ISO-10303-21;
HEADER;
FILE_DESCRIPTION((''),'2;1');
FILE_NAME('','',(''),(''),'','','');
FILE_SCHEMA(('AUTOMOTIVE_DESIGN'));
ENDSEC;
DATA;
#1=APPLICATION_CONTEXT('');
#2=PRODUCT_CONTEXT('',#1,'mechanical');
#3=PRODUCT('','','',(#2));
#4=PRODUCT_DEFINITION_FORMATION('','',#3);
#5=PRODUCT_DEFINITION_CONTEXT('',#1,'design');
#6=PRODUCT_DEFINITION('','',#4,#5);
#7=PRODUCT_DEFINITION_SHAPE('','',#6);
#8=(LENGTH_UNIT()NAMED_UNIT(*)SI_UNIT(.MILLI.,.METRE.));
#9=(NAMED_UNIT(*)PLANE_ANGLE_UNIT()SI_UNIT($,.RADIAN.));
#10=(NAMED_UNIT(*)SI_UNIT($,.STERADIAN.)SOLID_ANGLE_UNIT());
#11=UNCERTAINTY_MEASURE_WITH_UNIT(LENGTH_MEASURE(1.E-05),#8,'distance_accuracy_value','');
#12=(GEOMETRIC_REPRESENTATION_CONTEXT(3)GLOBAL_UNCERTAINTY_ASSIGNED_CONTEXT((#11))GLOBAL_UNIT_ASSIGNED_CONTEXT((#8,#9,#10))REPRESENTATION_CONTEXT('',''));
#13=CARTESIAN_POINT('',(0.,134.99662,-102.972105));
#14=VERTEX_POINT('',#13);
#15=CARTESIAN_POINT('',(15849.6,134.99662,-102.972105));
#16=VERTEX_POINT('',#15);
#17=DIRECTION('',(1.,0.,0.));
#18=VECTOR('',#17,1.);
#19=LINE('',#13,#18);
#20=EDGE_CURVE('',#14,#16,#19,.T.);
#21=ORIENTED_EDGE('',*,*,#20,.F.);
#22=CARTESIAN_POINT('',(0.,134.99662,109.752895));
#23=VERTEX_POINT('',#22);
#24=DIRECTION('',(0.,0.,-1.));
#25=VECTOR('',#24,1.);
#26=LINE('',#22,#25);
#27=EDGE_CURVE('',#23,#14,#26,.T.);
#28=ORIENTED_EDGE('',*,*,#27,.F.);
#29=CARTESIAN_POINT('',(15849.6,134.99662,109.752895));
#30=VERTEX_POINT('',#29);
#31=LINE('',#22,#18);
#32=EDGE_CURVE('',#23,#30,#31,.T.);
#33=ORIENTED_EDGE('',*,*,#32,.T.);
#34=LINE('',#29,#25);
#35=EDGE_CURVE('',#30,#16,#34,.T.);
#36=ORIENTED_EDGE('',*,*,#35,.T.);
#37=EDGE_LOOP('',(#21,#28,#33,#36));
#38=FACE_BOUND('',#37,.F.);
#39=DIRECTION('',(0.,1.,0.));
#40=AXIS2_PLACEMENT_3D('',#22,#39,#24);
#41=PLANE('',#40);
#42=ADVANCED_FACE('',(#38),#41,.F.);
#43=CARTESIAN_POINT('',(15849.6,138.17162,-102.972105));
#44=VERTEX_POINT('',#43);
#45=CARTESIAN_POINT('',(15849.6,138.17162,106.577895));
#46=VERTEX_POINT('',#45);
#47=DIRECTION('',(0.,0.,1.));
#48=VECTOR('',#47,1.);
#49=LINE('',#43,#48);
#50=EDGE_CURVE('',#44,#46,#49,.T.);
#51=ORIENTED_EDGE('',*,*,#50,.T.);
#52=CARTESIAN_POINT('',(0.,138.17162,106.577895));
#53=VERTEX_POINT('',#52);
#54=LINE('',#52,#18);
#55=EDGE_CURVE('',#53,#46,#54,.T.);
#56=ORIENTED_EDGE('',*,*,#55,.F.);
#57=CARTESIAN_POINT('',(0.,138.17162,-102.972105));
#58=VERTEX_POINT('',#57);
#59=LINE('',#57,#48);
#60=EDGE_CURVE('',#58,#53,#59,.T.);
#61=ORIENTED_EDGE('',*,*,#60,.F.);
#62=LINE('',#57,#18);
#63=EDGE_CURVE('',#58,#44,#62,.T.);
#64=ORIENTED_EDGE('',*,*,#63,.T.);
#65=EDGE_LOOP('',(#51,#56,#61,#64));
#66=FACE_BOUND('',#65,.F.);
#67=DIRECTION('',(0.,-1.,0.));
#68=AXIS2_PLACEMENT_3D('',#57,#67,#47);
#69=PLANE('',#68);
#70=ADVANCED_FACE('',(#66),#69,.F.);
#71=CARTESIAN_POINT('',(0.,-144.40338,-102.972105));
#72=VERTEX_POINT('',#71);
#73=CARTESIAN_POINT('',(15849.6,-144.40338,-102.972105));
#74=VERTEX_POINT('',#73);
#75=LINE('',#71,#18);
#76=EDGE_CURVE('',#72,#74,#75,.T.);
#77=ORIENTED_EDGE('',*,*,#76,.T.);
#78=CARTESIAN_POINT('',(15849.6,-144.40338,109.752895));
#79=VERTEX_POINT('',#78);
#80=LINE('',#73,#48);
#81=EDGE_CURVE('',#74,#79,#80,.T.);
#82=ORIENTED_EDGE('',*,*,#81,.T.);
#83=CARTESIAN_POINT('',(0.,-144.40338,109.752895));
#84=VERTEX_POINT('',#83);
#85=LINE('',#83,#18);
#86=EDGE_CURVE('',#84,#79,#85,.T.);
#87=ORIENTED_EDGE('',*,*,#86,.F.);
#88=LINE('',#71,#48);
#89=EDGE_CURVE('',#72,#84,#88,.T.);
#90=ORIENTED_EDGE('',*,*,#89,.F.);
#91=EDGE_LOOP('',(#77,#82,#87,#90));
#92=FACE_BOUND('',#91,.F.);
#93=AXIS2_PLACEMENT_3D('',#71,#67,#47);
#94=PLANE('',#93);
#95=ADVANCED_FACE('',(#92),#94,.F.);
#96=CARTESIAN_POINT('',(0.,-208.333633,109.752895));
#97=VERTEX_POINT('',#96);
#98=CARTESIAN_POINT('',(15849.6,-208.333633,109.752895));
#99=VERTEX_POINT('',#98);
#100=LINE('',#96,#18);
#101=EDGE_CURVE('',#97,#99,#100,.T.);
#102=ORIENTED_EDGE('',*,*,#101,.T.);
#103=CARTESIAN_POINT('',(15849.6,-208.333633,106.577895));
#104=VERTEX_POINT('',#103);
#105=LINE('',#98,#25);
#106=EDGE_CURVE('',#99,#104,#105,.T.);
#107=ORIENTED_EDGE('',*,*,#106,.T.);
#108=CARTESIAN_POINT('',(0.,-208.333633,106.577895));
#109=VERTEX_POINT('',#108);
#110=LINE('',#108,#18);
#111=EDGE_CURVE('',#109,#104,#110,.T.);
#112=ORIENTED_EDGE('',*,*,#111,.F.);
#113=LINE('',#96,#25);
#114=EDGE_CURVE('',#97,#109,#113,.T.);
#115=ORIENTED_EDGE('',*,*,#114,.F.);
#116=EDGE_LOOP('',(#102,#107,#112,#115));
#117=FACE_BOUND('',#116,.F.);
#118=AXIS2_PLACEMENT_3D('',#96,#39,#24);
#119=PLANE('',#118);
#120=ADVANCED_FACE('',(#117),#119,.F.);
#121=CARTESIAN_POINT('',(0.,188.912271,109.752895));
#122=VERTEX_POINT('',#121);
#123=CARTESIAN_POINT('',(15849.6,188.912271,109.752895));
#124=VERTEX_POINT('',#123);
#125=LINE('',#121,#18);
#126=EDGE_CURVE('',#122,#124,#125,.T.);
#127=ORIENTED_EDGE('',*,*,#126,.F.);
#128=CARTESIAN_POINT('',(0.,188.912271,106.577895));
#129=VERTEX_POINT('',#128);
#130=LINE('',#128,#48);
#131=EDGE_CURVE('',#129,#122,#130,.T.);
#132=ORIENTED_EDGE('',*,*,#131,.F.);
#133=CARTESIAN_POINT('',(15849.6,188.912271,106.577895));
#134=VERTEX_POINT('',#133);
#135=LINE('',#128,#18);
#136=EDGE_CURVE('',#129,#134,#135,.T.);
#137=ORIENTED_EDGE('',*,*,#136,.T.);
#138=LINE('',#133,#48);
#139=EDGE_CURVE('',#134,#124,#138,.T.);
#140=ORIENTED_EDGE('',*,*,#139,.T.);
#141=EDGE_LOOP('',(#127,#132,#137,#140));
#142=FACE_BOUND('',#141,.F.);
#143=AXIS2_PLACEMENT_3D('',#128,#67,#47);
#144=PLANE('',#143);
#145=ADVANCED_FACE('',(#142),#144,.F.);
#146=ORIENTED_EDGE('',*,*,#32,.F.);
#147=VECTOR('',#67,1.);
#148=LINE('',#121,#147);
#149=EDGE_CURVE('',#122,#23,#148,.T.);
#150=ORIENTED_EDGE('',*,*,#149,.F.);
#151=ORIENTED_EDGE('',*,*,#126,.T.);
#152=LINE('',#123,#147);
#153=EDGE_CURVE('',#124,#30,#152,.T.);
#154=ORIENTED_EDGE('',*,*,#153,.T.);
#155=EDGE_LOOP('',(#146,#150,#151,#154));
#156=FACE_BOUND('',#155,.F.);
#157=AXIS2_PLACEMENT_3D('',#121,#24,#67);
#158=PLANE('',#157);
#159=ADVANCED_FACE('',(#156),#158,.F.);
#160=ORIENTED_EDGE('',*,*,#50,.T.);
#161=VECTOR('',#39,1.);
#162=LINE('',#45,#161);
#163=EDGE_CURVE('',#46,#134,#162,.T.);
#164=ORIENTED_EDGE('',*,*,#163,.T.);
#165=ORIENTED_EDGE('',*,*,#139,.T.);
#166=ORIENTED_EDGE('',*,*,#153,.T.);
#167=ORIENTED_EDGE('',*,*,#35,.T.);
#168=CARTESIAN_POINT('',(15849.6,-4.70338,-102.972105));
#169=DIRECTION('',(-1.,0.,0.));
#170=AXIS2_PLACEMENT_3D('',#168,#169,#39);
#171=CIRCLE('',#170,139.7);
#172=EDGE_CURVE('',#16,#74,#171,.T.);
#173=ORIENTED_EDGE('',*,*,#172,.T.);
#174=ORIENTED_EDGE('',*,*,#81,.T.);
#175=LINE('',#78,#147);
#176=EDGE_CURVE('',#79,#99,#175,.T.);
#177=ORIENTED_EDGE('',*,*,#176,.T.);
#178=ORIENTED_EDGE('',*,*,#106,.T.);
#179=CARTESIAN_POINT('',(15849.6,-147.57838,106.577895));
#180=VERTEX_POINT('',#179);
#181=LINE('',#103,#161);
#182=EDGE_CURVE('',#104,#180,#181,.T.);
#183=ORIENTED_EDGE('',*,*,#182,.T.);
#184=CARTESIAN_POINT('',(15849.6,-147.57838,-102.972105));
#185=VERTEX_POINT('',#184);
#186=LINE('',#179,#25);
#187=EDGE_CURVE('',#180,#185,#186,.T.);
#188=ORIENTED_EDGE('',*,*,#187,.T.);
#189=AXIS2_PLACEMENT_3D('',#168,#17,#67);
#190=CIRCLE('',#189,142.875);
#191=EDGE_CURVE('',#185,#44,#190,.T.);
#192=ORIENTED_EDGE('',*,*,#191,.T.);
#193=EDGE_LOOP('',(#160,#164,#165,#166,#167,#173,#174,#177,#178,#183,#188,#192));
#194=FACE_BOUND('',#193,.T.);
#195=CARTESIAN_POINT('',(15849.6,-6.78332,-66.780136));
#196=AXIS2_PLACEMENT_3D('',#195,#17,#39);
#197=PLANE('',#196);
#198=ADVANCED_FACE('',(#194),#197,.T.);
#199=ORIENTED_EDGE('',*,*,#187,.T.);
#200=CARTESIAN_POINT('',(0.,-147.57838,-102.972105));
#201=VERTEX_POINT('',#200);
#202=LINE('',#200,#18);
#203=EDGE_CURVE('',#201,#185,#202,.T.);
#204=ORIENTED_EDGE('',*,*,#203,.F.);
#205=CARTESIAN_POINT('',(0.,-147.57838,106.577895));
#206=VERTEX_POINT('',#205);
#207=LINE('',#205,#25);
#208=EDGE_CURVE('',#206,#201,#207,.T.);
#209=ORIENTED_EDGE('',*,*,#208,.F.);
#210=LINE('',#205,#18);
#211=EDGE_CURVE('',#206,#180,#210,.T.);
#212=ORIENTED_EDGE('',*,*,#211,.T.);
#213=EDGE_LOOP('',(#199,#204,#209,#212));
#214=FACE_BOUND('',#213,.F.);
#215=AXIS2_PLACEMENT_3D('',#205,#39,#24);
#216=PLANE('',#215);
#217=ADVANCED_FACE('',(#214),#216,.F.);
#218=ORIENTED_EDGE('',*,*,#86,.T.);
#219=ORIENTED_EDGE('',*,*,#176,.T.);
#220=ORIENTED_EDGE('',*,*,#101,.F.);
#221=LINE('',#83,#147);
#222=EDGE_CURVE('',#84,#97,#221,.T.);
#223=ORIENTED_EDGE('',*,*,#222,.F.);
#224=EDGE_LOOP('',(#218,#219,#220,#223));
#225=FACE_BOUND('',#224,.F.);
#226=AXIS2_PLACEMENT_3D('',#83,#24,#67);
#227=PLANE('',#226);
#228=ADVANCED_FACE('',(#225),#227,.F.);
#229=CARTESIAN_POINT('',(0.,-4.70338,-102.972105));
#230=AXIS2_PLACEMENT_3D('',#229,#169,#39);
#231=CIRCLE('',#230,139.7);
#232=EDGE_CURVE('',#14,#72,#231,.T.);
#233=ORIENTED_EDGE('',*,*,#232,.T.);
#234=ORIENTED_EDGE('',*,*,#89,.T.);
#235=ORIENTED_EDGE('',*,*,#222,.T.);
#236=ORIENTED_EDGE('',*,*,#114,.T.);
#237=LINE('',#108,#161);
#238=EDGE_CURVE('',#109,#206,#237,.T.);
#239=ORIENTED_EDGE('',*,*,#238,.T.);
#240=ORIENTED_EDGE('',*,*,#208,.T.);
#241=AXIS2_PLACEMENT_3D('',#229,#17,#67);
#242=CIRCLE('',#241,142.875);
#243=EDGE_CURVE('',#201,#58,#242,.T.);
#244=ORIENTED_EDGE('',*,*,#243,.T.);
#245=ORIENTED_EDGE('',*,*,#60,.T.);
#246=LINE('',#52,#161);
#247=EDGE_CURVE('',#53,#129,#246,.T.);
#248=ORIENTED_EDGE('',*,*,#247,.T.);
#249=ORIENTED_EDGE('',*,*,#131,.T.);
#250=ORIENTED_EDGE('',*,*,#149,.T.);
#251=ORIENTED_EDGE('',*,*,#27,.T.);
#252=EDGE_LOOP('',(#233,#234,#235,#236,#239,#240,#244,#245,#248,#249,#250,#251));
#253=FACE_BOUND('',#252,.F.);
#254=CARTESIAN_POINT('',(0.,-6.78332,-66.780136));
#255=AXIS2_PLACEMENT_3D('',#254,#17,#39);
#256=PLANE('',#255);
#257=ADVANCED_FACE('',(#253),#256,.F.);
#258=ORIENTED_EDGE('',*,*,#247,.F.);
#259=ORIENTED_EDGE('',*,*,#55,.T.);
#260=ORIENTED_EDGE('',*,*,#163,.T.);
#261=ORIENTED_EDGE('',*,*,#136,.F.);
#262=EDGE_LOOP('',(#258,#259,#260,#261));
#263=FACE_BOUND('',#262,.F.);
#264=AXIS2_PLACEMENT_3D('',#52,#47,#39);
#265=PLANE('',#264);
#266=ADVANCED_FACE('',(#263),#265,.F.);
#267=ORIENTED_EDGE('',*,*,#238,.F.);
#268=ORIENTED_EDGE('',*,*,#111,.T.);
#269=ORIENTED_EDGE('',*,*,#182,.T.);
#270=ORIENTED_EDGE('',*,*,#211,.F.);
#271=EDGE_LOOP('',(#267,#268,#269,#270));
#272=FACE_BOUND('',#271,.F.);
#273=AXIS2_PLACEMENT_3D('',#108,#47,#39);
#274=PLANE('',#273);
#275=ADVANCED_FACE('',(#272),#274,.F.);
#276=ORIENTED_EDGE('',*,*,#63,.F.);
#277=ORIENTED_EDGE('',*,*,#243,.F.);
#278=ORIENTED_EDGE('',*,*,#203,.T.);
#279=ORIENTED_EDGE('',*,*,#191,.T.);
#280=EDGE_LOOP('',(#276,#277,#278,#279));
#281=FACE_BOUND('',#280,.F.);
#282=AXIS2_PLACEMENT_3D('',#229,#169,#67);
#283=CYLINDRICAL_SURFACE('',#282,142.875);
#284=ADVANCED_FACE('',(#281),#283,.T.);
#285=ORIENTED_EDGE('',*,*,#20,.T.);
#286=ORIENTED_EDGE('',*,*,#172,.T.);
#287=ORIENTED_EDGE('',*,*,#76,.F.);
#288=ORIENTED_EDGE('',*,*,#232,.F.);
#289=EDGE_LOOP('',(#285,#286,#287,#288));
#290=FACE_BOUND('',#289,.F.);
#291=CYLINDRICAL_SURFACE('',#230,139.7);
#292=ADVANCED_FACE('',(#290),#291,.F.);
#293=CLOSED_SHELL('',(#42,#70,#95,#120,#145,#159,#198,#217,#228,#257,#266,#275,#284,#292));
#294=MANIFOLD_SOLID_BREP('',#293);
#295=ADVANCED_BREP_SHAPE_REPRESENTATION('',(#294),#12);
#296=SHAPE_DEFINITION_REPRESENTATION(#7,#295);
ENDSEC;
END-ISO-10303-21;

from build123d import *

# Parameters (mm, degrees)
F1_DEPTH = 15849.6


with BuildPart() as f1:
    # F0 (on Right) → F1 (new body)
    with BuildSketch(Plane.YZ):
        with BuildLine():
            Line((-208.333633, 106.577895), (-147.57838, 106.577895))
            Line((-147.57838, 106.577895), (-147.57838, -102.972105))
            ThreePointArc((-147.57838, -102.972105), (-4.70338, -245.847105), (138.17162, -102.972105))
            Line((138.17162, -102.972105), (138.17162, 106.577895))
            Line((138.17162, 106.577895), (188.912271, 106.577895))
            Line((188.912271, 106.577895), (188.912271, 109.752895))
            Line((188.912271, 109.752895), (138.17162, 109.752895))
            Line((138.17162, 109.752895), (134.99662, 109.752895))
            Line((134.99662, 109.752895), (134.99662, -102.972105))
            ThreePointArc((134.99662, -102.972105), (-4.70338, -242.672105), (-144.40338, -102.972105))
            Line((-144.40338, -102.972105), (-144.40338, 109.752895))
            Line((-144.40338, 109.752895), (-147.57838, 109.752895))
            Line((-147.57838, 109.752895), (-208.333633, 109.752895))
            Line((-208.333633, 109.752895), (-208.333633, 106.577895))
        make_face()
    extrude(amount=F1_DEPTH)


solid = f1.part
